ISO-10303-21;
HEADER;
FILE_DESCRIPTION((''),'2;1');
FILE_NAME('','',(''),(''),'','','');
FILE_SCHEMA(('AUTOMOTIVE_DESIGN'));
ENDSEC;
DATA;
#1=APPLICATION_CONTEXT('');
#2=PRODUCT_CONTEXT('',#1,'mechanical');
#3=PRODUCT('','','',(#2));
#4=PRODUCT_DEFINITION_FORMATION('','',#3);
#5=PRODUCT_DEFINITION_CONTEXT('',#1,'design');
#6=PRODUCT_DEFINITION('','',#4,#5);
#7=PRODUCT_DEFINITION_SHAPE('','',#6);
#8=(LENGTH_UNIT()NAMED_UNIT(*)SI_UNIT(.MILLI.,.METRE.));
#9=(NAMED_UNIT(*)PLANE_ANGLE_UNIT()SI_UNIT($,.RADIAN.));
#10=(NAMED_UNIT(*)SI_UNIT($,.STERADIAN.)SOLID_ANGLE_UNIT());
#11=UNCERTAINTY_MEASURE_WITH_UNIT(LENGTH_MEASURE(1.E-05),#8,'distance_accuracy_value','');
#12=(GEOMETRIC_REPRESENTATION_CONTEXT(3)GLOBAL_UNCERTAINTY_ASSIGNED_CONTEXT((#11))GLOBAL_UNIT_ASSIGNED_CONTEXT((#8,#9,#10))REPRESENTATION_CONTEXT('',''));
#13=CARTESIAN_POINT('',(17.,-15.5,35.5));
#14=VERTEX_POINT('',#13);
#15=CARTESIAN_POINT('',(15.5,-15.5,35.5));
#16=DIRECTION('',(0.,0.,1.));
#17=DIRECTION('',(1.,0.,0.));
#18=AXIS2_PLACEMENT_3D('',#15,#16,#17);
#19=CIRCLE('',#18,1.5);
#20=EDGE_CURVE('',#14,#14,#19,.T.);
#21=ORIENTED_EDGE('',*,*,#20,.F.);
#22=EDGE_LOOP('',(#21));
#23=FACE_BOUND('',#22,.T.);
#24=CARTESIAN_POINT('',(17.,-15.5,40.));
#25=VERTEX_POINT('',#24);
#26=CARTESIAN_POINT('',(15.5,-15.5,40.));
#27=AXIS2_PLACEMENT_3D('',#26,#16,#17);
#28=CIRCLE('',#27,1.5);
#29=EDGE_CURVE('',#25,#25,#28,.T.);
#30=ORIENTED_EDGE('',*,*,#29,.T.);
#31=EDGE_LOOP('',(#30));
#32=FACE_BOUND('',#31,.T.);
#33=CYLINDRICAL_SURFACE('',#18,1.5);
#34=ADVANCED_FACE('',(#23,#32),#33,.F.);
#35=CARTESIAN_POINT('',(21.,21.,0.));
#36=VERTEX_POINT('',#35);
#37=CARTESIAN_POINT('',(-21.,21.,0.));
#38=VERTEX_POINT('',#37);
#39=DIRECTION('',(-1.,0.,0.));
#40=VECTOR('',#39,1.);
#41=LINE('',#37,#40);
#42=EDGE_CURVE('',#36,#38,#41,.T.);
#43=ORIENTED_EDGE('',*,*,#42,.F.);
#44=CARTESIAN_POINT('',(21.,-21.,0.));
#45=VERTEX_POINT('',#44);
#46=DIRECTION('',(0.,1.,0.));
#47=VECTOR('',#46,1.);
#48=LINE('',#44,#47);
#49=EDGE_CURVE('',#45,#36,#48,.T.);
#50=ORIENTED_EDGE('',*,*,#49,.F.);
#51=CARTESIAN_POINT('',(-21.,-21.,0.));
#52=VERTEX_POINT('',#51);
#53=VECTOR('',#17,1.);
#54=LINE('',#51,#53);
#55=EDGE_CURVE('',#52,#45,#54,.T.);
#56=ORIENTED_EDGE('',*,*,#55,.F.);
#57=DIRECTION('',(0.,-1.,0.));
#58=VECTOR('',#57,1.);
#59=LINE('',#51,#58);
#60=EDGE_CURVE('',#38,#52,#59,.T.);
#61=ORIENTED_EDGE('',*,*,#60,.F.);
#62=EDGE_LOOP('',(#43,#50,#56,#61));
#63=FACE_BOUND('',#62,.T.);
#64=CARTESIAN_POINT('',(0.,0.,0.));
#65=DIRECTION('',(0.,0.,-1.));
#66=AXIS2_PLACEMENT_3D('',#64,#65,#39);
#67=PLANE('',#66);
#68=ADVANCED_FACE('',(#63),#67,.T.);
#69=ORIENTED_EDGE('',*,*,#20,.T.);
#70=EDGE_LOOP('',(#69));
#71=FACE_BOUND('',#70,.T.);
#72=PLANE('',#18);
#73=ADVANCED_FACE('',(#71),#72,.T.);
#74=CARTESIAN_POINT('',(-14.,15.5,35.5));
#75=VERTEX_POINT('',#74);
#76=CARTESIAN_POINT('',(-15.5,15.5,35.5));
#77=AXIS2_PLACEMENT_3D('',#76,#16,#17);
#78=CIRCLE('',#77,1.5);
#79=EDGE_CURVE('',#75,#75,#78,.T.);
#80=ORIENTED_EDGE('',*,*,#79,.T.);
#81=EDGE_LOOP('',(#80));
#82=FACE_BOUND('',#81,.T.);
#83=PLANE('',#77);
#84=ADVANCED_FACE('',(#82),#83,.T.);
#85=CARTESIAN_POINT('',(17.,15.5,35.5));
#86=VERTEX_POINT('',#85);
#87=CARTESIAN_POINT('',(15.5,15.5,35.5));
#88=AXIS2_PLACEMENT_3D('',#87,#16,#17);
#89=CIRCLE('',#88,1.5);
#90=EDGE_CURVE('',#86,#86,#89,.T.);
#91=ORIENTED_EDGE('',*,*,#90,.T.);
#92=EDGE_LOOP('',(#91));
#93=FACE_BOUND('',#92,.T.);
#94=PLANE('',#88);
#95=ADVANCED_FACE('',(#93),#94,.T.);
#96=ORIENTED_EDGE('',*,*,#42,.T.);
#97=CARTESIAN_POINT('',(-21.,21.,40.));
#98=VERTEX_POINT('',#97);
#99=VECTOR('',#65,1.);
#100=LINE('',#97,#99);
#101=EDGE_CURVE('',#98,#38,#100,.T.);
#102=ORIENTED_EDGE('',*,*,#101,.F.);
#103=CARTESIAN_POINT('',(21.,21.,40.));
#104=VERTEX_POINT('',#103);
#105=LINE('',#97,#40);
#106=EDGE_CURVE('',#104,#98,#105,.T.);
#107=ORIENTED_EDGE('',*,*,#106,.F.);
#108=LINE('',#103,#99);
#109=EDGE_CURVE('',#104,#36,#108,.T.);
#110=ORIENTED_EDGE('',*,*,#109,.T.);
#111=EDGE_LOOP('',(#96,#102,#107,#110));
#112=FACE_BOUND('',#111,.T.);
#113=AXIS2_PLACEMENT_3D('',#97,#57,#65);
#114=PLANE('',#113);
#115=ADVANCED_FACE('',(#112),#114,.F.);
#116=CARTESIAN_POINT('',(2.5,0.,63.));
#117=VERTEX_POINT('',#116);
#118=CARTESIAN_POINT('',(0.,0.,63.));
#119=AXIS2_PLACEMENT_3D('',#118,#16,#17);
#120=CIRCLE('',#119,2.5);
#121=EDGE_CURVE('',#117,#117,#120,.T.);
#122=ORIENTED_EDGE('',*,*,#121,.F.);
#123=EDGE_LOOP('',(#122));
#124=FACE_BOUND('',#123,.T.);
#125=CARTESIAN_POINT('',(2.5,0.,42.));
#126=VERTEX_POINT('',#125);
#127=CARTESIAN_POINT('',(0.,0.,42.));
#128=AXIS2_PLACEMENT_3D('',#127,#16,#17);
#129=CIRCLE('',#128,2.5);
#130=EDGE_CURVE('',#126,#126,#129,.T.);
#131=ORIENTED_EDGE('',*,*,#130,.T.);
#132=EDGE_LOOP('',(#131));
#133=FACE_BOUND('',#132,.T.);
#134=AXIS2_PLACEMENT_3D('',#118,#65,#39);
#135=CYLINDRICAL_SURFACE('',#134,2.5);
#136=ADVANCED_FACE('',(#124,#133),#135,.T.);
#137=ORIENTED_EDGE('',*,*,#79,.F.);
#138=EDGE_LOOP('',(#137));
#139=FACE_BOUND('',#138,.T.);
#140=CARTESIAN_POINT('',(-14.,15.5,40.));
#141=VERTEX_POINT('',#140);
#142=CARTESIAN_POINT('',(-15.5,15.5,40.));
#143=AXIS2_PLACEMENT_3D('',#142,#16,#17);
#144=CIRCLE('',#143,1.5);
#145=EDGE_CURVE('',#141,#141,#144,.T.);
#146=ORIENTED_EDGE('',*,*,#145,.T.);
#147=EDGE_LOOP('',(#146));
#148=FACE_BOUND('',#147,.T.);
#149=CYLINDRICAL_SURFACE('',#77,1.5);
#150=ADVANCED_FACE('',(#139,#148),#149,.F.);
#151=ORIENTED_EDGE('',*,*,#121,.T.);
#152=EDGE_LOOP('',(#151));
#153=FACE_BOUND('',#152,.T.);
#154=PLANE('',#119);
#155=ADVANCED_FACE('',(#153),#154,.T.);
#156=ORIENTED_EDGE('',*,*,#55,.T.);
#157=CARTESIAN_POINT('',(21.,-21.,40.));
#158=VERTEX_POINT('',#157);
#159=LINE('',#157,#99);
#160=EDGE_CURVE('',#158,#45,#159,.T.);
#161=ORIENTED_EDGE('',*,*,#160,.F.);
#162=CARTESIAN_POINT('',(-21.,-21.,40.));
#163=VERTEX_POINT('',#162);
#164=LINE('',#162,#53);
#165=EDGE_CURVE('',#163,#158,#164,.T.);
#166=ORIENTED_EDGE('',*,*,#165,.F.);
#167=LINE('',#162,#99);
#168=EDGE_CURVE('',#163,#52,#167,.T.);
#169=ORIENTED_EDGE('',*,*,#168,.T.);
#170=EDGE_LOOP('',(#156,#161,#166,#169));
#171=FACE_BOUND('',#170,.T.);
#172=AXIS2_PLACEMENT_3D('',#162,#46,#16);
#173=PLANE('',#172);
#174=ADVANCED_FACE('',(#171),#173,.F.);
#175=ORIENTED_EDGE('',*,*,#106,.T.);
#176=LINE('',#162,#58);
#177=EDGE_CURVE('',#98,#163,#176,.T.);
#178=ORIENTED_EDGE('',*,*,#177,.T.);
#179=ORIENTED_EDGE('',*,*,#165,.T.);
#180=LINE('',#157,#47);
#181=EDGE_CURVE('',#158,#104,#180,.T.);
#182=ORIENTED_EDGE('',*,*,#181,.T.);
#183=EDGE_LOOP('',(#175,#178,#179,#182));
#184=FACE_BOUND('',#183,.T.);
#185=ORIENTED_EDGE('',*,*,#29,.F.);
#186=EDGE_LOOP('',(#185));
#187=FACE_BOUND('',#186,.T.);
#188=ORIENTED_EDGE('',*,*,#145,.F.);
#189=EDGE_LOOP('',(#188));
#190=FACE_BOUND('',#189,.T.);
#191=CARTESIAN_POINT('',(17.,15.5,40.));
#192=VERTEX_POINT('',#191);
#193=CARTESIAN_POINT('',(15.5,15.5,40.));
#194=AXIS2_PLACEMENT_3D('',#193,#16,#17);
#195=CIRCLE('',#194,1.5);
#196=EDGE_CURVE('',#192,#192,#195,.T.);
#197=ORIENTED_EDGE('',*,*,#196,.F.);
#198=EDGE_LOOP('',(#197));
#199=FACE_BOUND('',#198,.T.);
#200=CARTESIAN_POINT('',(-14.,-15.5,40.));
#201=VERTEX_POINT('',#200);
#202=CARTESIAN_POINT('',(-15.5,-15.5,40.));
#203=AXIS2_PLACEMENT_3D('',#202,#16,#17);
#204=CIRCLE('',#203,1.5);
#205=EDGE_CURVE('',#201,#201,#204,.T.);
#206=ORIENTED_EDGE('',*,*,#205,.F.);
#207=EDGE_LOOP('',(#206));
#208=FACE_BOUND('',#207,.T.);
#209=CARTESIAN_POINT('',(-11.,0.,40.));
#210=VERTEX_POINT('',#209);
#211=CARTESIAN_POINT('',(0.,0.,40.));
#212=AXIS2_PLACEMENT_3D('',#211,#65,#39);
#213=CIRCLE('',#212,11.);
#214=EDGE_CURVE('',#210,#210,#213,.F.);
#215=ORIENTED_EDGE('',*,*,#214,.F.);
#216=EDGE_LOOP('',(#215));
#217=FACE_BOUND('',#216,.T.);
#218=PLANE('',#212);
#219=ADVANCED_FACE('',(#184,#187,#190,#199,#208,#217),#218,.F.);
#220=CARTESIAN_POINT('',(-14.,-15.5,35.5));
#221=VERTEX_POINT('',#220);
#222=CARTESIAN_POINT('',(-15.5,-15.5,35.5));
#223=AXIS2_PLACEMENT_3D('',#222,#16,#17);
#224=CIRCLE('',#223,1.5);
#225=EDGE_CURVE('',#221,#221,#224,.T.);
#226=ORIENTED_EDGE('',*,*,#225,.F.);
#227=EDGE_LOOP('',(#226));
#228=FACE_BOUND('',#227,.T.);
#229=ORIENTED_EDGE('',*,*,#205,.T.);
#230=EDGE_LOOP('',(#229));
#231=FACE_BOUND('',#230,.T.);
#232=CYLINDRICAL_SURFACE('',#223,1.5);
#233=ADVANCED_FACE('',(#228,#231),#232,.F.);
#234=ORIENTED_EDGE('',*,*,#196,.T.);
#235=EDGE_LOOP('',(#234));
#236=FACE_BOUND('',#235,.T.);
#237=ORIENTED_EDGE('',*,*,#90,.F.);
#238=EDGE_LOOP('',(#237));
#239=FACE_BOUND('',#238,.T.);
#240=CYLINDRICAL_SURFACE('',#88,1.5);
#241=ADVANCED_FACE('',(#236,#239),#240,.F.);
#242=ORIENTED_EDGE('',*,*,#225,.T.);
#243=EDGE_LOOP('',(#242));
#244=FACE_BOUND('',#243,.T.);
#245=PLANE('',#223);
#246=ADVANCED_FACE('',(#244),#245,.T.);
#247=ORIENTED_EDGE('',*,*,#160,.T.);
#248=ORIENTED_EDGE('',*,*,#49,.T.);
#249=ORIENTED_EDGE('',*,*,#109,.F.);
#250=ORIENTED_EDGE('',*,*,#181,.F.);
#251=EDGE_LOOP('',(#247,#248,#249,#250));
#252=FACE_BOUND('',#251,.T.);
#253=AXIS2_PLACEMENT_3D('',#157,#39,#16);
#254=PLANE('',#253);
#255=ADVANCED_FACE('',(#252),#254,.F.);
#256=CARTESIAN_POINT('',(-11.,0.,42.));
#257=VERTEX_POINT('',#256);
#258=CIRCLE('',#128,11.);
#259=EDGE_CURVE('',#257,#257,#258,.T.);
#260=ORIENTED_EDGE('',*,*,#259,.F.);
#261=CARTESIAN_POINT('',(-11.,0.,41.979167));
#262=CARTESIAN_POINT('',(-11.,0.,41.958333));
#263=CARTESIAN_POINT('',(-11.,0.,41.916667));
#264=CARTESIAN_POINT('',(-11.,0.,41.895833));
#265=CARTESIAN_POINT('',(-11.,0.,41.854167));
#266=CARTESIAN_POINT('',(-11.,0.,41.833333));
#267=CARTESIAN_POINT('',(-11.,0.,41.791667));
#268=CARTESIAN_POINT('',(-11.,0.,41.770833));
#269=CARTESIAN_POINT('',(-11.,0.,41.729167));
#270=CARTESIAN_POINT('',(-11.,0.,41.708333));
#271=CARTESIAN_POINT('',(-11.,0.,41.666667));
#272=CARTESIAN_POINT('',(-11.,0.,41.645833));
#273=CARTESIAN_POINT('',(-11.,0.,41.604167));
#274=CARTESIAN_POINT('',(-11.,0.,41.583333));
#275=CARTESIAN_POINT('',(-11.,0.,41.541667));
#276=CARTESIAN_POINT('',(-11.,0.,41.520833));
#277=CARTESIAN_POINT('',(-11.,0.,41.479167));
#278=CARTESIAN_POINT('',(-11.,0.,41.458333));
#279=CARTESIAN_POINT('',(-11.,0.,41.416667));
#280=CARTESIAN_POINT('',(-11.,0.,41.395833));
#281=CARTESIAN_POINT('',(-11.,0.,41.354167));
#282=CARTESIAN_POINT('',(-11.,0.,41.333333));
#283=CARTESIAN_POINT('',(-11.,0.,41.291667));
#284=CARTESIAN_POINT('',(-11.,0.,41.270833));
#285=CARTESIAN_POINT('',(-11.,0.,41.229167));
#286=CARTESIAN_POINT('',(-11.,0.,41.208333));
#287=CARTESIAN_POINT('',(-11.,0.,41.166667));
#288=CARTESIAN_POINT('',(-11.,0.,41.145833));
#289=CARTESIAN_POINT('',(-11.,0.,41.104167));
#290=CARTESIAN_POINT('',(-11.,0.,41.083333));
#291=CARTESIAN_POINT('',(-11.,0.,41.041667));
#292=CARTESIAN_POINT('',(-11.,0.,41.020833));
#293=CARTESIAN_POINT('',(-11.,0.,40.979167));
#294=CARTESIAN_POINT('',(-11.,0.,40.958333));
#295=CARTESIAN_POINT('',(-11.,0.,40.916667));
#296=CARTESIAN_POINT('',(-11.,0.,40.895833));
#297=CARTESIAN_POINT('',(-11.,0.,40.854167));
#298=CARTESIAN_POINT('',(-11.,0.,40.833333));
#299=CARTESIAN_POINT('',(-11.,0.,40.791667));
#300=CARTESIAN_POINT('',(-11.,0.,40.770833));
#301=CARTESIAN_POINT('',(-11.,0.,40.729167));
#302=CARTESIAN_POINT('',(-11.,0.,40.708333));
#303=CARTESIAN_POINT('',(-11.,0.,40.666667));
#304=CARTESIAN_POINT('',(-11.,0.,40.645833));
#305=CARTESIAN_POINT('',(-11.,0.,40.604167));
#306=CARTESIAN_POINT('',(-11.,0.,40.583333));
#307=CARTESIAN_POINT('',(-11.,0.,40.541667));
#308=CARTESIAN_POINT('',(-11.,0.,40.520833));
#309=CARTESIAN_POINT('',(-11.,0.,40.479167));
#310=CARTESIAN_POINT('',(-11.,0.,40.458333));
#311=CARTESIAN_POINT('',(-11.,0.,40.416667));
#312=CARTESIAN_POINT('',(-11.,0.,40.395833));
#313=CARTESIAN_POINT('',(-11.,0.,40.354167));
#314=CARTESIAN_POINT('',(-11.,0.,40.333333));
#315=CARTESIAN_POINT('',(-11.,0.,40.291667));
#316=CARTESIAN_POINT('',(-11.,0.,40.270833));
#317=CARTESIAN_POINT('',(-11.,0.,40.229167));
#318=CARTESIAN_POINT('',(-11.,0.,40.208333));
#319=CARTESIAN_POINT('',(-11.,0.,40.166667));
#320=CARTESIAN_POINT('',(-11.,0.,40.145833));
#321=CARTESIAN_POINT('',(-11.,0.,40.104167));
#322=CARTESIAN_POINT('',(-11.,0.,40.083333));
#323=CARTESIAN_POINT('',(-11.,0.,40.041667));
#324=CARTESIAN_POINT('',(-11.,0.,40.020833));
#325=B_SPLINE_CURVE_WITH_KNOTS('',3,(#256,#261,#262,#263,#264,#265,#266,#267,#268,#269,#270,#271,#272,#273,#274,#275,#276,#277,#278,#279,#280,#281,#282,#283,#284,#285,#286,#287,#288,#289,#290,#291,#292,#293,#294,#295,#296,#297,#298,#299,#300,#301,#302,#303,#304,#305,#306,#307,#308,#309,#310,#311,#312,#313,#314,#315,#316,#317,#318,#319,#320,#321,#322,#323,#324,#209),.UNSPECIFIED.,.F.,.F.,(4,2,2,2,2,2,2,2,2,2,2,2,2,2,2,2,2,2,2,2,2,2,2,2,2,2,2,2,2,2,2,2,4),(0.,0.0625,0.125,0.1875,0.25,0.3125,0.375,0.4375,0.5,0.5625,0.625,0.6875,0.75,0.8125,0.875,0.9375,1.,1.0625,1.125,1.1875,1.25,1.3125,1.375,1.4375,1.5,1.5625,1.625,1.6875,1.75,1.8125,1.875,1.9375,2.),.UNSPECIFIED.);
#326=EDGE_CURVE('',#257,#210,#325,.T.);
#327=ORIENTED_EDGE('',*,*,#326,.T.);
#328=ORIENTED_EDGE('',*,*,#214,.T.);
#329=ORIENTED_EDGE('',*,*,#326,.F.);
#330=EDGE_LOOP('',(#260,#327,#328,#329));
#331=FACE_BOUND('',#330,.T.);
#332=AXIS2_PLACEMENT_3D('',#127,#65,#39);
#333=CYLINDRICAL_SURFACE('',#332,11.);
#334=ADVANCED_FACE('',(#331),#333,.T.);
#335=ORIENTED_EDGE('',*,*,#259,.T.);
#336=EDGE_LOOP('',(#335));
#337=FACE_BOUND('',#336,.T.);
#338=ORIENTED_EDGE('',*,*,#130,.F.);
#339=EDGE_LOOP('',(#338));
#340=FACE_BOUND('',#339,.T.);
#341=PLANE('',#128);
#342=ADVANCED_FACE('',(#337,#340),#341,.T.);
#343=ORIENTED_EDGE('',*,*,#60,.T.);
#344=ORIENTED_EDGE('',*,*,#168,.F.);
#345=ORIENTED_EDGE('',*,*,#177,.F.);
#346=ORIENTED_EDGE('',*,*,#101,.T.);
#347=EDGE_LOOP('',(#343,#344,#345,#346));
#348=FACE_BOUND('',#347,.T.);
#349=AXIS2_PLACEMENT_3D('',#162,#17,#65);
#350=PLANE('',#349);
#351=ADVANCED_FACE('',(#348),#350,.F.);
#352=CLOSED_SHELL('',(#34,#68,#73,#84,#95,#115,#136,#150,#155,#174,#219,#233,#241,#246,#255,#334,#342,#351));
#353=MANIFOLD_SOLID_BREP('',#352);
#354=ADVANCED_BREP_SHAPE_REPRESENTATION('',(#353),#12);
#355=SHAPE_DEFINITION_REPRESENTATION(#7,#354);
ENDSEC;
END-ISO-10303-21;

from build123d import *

# Parameters (mm, degrees)
SKETCH_1_W          = 42
SKETCH_1_H          = 42
EXTRUDE_1582_DEPTH  = 40
SKETCH_2_R          = 2.5
EXTRUDE_1637_DEPTH  = 63
SKETCH_3_R          = 11
EXTRUDE_1684_DEPTH  = 42
CUT_EXTRUDE_START   = 40
SKETCH_4_R          = 1.5
CUT_EXTRUDE_3_DEPTH = 4.5


with BuildPart() as part:
    # Эскиз1 → Extrude 1582 (new body)
    with BuildSketch(Plane.XY):
        Rectangle(SKETCH_1_W, SKETCH_1_H)
    extrude(amount=EXTRUDE_1582_DEPTH)

    # Эскиз2 → Extrude 1637 (add)
    with BuildSketch(Plane.XY):
        with Locations(Location((0, 0, 0), (0, 0, 180))):
            Circle(SKETCH_2_R)
    extrude(amount=EXTRUDE_1637_DEPTH)

    # Эскиз3 → Extrude 1684 (add)
    with BuildSketch(Plane.XY):
        with Locations(Location((0, 0, 0), (0, 0, 180))):
            Circle(SKETCH_3_R)
    extrude(amount=EXTRUDE_1684_DEPTH)

    # Эскиз4 → Крепеж_М3_ПРЕДВ (cut)
    with BuildSketch(Plane.XY.offset(CUT_EXTRUDE_START)):
        with Locations((-15.5, -15.5)):
            Circle(SKETCH_4_R)
        with Locations((-15.5, 15.5)):
            Circle(SKETCH_4_R)
        with Locations((15.5, -15.5)):
            Circle(SKETCH_4_R)
        with Locations((15.5, 15.5)):
            Circle(SKETCH_4_R)
    extrude(amount=-CUT_EXTRUDE_3_DEPTH, mode=Mode.SUBTRACT)


solid = part.part
